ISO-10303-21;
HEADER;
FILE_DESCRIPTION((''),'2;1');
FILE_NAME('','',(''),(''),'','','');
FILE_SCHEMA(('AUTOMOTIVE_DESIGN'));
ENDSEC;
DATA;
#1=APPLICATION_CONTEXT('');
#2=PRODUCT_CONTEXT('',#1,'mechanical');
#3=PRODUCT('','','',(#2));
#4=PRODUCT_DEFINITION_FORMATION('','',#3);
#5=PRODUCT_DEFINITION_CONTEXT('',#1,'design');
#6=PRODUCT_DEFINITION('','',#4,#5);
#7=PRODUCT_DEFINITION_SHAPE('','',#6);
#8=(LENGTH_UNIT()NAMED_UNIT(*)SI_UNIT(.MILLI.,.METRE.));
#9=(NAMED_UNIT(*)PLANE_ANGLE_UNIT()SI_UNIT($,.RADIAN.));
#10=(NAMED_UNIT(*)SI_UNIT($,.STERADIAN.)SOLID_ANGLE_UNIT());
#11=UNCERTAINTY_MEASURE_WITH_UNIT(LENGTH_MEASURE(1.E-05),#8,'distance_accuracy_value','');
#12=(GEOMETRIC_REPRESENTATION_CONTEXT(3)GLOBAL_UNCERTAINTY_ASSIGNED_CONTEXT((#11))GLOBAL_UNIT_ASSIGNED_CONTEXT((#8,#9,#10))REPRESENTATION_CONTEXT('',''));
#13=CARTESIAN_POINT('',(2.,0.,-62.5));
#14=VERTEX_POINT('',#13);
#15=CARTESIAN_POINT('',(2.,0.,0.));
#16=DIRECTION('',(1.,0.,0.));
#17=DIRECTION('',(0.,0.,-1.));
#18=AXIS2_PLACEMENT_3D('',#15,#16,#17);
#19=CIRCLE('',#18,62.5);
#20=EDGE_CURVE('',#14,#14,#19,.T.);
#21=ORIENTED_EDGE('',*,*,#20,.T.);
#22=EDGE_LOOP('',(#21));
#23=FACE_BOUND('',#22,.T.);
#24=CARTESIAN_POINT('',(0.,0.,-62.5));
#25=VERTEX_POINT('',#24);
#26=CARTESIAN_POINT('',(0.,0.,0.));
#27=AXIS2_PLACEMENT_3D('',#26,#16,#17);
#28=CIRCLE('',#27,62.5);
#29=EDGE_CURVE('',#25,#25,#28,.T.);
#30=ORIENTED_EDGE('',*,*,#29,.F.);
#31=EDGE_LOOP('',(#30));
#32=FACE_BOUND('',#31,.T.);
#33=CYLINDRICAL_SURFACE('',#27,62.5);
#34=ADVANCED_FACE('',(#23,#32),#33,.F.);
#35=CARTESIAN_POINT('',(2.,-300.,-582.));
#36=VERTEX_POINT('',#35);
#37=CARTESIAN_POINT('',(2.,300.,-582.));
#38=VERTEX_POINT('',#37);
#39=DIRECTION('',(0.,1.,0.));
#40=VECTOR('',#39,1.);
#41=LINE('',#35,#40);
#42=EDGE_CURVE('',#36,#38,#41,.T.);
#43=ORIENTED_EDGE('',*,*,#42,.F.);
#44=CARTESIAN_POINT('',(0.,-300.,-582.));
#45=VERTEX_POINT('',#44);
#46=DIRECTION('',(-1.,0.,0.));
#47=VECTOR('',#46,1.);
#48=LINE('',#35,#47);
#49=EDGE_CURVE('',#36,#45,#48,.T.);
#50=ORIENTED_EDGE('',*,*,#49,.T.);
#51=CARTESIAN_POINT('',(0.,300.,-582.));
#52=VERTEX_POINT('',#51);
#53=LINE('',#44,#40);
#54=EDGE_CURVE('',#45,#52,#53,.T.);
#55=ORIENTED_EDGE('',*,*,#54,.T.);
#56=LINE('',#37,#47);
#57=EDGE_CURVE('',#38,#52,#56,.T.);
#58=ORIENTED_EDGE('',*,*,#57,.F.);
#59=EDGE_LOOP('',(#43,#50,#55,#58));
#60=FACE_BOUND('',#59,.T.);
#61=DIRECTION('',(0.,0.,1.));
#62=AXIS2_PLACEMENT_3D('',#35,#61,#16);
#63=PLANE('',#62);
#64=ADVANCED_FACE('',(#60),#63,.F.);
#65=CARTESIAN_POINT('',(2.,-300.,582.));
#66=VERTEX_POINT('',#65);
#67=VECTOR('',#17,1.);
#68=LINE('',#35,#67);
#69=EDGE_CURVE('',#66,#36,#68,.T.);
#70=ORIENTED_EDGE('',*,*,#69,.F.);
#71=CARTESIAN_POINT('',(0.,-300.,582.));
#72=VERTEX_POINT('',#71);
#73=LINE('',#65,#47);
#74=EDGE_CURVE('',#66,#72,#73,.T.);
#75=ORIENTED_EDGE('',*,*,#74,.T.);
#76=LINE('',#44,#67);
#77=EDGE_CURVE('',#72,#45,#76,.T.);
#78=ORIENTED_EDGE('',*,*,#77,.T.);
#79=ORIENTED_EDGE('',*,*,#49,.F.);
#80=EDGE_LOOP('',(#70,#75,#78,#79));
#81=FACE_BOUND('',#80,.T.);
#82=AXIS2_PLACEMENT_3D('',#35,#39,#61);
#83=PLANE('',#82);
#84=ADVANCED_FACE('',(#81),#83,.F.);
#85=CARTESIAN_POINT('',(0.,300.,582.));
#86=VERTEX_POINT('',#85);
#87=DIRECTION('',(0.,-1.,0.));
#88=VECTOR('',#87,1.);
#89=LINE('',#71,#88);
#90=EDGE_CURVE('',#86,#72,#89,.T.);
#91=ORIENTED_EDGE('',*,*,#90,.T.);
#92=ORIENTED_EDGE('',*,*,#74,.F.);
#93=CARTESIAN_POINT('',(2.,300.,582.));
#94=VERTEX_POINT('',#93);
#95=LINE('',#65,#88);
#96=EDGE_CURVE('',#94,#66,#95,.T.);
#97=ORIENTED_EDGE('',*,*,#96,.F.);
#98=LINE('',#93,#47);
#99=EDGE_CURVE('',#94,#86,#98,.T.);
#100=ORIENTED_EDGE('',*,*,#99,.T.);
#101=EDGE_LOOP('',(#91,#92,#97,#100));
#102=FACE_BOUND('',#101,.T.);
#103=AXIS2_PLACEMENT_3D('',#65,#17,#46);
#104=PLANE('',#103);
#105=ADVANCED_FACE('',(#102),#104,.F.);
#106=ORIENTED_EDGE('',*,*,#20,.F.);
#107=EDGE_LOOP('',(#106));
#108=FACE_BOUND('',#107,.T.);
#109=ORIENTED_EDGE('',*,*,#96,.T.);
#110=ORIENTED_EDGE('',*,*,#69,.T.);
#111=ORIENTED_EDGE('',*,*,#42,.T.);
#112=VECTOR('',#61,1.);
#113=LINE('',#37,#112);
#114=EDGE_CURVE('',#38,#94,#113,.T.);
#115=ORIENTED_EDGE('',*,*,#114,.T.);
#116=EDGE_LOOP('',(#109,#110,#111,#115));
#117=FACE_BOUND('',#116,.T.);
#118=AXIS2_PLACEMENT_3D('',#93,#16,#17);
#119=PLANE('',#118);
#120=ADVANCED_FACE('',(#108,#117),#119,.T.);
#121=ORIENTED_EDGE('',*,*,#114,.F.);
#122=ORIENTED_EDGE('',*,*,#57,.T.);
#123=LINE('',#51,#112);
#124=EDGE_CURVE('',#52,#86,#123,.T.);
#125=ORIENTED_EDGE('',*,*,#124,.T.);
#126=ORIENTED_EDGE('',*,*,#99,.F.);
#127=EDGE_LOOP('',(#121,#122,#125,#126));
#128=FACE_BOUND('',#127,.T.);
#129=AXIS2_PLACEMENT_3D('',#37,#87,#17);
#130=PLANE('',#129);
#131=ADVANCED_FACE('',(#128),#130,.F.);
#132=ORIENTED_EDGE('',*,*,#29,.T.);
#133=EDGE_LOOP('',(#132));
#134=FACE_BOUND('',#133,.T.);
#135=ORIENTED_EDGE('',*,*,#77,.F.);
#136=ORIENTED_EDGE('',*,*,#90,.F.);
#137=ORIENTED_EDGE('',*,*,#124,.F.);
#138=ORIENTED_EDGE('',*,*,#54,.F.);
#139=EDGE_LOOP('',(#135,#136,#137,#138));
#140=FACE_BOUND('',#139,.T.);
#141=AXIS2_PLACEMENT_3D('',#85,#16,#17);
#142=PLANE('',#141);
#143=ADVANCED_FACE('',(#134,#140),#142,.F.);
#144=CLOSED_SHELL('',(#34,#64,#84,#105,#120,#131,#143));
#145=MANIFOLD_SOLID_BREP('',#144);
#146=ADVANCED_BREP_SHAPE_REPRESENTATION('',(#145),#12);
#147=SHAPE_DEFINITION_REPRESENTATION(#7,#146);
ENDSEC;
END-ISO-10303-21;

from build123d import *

# Parameters (mm, degrees)
CROQUIS1_W     = 1164
CROQUIS1_H     = 600
EXTRUIR1_DEPTH = 2
CROQUIS2_R     = 62.5
EXTRUIR2_DEPTH = 2


with BuildPart() as part:
    # Croquis1 → Extruir1 (new body)
    with BuildSketch(Plane(origin=(0, 0, 0), x_dir=(0, 0, -1), z_dir=(1, 0, 0))):
        Rectangle(CROQUIS1_W, CROQUIS1_H)
    extrude(amount=EXTRUIR1_DEPTH)

    # Croquis2 → Extruir2 (cut)
    with BuildSketch(Plane(origin=(2, 0, 0), x_dir=(0, 0, -1), z_dir=(1, 0, 0))):
        Circle(CROQUIS2_R)
    extrude(amount=-EXTRUIR2_DEPTH, mode=Mode.SUBTRACT)


solid = part.part
